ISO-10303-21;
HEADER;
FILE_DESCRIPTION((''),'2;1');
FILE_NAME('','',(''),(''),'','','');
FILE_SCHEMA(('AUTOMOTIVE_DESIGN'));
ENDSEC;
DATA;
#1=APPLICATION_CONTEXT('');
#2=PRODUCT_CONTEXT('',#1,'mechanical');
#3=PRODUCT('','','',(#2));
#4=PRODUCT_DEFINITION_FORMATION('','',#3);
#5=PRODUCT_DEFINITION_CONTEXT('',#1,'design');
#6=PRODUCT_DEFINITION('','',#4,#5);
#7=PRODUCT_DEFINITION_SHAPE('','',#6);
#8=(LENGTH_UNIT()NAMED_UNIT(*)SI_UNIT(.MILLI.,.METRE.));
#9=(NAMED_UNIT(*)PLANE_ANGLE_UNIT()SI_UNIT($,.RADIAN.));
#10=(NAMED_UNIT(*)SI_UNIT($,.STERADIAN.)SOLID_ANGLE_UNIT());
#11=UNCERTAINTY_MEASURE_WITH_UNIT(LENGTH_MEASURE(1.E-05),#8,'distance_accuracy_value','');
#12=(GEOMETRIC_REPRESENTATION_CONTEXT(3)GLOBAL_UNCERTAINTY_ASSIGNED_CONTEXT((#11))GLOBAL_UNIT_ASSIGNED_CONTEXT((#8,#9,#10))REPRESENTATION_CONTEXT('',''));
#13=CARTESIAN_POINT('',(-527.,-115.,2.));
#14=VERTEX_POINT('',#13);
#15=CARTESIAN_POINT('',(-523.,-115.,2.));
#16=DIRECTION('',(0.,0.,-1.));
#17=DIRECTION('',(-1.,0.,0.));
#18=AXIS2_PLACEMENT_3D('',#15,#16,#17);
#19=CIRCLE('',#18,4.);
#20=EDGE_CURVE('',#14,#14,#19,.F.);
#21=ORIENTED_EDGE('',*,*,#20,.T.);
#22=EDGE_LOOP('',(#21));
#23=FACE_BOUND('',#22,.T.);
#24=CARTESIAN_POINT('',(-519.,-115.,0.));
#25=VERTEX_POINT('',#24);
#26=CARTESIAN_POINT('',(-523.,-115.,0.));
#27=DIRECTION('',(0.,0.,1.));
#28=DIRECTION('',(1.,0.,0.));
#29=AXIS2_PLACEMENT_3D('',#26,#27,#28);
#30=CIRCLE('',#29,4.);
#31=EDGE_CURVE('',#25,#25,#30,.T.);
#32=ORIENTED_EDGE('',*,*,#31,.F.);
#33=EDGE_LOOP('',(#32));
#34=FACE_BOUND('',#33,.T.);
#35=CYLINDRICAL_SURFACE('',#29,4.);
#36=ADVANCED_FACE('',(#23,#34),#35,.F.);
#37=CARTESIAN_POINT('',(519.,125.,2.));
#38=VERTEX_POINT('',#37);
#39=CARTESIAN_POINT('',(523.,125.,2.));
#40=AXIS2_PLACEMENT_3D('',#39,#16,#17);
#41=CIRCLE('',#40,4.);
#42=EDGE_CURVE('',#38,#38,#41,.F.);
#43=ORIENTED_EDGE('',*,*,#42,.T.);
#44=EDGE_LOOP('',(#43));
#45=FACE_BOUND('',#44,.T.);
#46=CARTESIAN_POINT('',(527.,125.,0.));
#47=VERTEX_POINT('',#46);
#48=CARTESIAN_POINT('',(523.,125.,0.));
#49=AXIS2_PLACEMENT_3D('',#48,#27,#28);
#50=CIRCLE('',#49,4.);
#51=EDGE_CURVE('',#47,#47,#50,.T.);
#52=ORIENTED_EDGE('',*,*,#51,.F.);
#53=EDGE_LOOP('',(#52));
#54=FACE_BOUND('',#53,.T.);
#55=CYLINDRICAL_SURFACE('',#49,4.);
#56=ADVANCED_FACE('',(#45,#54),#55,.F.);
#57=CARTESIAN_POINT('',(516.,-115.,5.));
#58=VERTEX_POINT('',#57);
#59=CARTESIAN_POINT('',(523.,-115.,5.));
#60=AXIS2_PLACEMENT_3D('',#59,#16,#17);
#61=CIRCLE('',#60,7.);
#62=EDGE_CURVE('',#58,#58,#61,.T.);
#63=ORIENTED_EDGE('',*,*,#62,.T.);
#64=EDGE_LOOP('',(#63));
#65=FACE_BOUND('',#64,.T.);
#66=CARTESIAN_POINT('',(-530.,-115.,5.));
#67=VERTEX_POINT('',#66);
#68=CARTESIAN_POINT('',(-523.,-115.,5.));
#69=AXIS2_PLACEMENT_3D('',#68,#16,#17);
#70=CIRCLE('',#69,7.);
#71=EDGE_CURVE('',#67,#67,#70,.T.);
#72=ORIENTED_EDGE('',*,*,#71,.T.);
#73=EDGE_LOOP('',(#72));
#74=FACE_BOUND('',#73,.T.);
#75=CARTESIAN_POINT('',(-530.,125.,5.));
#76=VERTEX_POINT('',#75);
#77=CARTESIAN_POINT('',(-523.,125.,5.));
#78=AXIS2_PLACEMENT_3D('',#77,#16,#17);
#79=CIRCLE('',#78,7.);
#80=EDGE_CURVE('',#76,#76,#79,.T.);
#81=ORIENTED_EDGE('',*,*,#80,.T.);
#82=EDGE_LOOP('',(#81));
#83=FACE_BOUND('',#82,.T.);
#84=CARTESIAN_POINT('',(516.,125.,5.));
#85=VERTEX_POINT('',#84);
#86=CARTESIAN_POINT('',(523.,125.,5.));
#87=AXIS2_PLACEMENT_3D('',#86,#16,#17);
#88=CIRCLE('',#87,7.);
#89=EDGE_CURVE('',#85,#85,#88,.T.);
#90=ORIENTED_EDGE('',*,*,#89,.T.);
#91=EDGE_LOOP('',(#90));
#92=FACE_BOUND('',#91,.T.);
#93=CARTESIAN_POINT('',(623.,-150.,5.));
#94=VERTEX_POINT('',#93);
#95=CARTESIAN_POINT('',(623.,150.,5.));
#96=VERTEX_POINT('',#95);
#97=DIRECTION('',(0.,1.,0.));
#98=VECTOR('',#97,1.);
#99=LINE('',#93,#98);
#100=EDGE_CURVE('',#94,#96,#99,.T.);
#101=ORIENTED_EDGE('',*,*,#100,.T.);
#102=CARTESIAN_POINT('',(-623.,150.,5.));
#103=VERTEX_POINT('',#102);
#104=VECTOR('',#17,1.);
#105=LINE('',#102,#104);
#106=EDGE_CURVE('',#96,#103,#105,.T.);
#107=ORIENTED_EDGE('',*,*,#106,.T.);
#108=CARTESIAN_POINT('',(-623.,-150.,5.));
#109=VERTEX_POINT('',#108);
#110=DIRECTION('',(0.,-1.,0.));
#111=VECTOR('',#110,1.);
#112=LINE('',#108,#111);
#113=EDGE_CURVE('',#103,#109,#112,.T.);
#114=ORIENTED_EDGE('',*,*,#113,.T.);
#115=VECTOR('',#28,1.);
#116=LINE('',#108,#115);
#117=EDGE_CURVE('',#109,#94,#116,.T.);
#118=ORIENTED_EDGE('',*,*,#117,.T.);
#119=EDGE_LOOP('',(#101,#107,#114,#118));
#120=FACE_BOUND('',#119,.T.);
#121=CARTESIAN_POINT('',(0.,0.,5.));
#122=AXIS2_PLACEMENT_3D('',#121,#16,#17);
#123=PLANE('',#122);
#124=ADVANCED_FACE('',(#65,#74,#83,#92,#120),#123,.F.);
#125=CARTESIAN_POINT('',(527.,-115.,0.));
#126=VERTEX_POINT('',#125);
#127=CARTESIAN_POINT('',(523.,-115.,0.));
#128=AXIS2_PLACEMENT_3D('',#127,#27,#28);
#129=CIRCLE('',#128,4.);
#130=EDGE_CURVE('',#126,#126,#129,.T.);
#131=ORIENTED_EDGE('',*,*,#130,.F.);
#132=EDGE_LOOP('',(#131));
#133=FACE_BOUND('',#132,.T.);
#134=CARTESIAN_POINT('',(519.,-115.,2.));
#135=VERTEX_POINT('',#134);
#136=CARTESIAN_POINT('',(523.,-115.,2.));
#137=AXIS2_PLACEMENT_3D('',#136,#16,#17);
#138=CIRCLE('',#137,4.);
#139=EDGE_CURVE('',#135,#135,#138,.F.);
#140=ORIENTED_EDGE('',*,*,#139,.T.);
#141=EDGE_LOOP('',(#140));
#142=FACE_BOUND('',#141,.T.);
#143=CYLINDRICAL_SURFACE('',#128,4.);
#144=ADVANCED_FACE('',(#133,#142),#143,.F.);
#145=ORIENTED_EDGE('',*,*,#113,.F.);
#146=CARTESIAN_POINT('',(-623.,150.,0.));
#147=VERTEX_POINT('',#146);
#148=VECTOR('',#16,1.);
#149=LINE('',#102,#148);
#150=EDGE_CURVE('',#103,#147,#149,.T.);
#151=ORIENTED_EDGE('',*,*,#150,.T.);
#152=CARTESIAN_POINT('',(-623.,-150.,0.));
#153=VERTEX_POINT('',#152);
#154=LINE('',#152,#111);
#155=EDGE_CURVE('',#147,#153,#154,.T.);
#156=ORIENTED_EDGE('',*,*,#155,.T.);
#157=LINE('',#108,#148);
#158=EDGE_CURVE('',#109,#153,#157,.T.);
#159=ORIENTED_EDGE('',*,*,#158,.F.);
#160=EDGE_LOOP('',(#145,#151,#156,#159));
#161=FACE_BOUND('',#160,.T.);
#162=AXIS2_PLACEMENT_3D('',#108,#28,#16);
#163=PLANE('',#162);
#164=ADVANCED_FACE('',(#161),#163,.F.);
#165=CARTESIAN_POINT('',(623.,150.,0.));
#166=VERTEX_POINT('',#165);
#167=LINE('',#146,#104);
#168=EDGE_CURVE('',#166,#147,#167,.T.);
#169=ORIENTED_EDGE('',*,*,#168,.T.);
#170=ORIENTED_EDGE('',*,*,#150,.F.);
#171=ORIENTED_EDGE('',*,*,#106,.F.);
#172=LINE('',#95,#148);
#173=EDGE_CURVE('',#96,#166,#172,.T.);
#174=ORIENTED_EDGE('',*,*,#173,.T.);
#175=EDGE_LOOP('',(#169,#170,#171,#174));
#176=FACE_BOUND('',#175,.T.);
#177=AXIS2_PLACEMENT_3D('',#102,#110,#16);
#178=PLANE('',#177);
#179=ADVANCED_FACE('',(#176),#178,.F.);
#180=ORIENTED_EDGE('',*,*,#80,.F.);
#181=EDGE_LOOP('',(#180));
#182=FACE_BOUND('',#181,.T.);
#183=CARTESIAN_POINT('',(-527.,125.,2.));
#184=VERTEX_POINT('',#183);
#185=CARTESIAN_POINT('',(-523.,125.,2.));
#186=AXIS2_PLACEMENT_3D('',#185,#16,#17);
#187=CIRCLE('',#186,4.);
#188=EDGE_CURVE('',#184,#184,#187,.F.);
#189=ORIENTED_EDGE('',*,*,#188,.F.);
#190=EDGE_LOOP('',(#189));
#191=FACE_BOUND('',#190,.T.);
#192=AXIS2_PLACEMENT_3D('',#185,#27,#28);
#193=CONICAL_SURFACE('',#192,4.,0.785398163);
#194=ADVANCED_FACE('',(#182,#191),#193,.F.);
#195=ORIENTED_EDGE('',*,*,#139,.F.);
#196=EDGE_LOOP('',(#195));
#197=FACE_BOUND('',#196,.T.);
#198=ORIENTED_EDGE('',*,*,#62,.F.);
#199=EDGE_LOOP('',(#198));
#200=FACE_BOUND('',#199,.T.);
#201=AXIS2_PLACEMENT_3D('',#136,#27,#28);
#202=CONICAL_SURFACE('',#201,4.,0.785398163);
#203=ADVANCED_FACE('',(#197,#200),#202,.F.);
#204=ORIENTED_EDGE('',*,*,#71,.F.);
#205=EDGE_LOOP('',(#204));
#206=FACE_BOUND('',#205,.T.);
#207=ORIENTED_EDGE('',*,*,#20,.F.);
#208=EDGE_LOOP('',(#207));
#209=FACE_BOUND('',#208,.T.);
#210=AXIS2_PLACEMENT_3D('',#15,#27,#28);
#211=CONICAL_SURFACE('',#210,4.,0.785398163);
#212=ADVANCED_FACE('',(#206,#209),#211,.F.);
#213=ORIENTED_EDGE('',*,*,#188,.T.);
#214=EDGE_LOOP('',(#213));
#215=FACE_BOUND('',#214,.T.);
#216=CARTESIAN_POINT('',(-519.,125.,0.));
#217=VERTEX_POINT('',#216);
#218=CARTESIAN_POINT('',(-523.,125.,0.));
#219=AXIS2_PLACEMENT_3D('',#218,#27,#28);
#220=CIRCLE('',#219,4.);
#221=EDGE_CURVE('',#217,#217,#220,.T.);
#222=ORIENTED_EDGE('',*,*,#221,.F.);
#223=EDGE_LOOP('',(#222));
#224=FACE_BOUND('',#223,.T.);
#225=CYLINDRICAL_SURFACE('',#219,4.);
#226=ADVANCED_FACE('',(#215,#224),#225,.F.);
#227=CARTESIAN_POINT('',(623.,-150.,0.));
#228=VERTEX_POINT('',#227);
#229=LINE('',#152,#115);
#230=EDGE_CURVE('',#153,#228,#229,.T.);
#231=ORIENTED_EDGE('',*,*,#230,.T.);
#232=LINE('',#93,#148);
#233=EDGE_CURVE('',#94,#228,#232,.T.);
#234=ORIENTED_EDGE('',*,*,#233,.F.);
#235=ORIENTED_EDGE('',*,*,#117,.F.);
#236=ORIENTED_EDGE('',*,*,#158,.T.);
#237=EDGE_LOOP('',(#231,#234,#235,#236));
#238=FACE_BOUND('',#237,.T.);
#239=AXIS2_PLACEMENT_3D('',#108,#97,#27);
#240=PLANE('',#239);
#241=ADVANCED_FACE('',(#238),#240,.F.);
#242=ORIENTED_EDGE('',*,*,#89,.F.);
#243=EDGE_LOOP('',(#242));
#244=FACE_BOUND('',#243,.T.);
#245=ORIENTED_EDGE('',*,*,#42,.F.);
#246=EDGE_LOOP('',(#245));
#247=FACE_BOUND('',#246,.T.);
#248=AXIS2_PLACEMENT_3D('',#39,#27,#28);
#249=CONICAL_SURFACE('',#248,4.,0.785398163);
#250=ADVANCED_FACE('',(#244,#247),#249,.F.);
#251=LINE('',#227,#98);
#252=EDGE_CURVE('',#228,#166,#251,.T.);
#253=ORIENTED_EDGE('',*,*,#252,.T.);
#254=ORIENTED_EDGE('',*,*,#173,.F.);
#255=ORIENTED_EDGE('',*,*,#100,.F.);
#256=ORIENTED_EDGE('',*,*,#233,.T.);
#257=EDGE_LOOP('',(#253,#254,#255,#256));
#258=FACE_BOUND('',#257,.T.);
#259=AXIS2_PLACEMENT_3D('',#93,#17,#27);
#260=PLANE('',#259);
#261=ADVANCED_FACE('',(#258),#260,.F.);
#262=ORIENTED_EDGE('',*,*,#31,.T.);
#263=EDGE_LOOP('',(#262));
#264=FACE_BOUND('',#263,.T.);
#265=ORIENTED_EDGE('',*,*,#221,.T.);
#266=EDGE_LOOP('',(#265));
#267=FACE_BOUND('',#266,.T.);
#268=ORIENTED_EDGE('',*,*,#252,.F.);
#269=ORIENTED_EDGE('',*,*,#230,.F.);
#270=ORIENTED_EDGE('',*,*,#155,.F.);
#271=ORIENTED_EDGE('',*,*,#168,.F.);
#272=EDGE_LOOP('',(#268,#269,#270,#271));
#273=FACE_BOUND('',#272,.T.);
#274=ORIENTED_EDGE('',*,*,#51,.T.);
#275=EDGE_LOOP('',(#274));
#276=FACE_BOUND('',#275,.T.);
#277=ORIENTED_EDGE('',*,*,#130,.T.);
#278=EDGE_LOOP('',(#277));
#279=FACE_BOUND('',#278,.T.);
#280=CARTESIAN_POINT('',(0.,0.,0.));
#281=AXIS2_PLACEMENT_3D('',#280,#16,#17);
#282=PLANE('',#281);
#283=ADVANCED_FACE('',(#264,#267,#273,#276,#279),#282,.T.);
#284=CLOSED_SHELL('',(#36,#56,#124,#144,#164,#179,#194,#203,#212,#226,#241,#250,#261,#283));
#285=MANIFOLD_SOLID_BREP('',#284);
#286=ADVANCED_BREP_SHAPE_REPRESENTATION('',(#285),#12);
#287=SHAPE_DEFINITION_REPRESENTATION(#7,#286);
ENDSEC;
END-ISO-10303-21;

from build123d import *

# Parameters (mm, degrees)
SKETCH1_W           = 1246
SKETCH1_H           = 300
BOSS_EXTRUDE1_DEPTH = 5
SKETCH2_R           = 4
CUT_EXTRUDE1_DEPTH  = 6
CHAMFER1_SIZE       = 3


with BuildPart() as part:
    # Sketch1 → Boss-Extrude1 (new body)
    with BuildSketch(Plane.XY):
        Rectangle(SKETCH1_W, SKETCH1_H)
    extrude(amount=BOSS_EXTRUDE1_DEPTH)

    # Sketch2 → Cut-Extrude1 (cut, through all)
    with BuildSketch(Plane.XY.offset(5)):
        with Locations((-523, 125)):
            Circle(SKETCH2_R)
        with Locations((523, 125)):
            Circle(SKETCH2_R)
        with Locations((523, -115)):
            Circle(SKETCH2_R)
        with Locations((-523, -115)):
            Circle(SKETCH2_R)
    extrude(amount=-CUT_EXTRUDE1_DEPTH, mode=Mode.SUBTRACT)

    # Chamfer1
    chamfer1_edges = [part.edges().sort_by_distance(p)[0] for p in [
        (-527, 125, 5),
        (519, 125, 5),
        (519, -115, 5),
        (-527, -115, 5),
    ]]
    chamfer(chamfer1_edges, length=CHAMFER1_SIZE)


solid = part.part
